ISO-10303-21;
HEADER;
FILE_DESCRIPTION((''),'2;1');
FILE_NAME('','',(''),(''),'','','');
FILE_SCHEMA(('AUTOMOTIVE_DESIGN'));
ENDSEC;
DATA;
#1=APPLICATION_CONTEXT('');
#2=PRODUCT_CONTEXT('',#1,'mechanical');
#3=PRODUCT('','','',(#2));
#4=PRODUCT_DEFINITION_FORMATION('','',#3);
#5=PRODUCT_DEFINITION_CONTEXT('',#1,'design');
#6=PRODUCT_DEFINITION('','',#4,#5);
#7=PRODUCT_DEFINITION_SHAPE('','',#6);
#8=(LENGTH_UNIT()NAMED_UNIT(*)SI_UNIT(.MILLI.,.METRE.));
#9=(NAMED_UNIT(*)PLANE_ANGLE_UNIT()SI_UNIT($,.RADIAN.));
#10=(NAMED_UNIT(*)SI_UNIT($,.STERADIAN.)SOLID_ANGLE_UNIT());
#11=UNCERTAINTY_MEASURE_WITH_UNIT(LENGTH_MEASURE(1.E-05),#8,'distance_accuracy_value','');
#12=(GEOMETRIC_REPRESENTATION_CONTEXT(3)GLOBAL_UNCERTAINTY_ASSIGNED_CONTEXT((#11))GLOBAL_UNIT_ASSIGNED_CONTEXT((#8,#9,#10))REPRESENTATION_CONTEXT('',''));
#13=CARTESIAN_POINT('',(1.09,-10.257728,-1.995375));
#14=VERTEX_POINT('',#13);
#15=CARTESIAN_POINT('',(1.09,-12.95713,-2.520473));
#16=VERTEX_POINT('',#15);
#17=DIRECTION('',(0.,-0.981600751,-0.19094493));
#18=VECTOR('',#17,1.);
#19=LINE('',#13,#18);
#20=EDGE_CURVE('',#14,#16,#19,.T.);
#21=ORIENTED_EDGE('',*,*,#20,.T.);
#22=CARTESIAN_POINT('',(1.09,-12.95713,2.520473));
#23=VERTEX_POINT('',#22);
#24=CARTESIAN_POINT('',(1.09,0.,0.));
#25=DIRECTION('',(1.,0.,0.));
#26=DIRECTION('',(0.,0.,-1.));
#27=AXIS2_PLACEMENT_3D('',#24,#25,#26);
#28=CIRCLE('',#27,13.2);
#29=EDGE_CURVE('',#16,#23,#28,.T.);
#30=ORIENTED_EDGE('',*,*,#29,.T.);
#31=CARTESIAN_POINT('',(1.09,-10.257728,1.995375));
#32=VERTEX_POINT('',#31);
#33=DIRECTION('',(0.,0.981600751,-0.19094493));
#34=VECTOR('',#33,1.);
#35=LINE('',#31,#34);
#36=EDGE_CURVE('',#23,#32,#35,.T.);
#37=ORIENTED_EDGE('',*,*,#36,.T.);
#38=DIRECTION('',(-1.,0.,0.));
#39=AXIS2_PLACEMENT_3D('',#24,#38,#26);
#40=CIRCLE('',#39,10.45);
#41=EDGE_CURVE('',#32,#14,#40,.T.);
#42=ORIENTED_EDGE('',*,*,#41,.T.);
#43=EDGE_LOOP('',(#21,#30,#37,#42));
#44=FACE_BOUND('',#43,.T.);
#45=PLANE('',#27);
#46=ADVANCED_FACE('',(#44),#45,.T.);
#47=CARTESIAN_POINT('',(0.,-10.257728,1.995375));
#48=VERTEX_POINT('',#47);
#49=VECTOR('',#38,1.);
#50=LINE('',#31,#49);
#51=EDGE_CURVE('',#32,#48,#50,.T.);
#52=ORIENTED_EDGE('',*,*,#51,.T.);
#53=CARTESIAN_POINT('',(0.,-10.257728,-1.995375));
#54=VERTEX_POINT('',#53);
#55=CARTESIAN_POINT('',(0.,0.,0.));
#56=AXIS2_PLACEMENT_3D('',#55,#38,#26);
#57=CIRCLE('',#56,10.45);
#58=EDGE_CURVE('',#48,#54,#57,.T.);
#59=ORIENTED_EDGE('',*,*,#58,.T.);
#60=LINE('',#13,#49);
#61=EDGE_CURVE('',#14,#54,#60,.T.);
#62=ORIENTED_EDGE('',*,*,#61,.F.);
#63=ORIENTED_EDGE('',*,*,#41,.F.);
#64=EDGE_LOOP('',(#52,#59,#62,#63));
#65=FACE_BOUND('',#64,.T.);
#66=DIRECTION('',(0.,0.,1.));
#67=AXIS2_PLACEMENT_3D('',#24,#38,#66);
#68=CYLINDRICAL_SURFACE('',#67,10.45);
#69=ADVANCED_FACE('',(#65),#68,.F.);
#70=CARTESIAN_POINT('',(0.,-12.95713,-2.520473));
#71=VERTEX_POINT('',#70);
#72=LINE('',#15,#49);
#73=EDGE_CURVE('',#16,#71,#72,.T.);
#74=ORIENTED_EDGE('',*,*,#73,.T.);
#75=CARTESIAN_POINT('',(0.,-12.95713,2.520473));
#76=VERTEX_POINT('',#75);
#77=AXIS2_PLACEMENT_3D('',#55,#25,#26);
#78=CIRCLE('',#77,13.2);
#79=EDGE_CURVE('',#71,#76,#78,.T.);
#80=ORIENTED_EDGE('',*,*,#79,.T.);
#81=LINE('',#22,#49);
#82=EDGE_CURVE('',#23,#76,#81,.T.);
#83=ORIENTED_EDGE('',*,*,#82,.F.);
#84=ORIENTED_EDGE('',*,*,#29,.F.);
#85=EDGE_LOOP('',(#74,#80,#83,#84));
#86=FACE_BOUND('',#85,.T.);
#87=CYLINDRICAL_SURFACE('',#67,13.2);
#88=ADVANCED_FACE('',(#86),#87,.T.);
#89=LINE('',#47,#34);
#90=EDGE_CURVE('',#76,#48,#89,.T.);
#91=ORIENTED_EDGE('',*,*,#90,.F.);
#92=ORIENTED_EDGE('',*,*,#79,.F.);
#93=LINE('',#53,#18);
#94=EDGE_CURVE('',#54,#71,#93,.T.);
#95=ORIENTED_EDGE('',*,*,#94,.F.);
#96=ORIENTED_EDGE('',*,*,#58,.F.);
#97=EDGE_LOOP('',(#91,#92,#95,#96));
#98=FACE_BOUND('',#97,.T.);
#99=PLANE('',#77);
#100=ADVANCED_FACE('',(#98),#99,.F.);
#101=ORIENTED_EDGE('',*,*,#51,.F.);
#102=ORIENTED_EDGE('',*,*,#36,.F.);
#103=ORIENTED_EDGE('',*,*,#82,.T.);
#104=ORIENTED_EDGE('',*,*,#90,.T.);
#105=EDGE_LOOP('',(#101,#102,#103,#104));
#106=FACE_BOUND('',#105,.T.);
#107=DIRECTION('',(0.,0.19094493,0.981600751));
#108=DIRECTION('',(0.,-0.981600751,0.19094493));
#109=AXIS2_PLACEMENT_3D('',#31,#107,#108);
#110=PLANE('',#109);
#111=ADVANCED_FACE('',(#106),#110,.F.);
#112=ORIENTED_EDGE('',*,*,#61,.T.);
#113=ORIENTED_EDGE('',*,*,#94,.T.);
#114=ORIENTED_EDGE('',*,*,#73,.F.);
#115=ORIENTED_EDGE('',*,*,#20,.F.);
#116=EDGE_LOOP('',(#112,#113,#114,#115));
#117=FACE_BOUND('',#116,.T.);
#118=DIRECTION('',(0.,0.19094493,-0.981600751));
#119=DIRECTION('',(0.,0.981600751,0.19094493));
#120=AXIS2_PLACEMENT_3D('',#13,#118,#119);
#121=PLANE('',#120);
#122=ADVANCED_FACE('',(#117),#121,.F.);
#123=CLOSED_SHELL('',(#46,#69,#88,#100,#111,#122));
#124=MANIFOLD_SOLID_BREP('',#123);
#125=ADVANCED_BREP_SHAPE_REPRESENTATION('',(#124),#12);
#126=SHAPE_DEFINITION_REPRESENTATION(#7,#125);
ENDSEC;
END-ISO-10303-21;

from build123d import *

# Parameters (mm, degrees)
BOSS_EXTRUDE1_DEPTH = 1.09


with BuildPart() as part:
    # Sketch1 → Boss-Extrude1 (new body)
    with BuildSketch(Plane(origin=(0, 0, 0), x_dir=(0, 0, -1), z_dir=(1, 0, 0))):
        with BuildLine():
            Line((-1.995374515, -10.257727845), (-2.520473071, -12.95712991))
            ThreePointArc((-2.520473071, -12.95712991), (0, 13.2), (2.520473071, -12.95712991))
            Line((2.520473071, -12.95712991), (1.995374515, -10.257727845))
            ThreePointArc((1.995374515, -10.257727845), (0, 10.45), (-1.995374515, -10.257727845))
        make_face()
    extrude(amount=BOSS_EXTRUDE1_DEPTH)


solid = part.part
